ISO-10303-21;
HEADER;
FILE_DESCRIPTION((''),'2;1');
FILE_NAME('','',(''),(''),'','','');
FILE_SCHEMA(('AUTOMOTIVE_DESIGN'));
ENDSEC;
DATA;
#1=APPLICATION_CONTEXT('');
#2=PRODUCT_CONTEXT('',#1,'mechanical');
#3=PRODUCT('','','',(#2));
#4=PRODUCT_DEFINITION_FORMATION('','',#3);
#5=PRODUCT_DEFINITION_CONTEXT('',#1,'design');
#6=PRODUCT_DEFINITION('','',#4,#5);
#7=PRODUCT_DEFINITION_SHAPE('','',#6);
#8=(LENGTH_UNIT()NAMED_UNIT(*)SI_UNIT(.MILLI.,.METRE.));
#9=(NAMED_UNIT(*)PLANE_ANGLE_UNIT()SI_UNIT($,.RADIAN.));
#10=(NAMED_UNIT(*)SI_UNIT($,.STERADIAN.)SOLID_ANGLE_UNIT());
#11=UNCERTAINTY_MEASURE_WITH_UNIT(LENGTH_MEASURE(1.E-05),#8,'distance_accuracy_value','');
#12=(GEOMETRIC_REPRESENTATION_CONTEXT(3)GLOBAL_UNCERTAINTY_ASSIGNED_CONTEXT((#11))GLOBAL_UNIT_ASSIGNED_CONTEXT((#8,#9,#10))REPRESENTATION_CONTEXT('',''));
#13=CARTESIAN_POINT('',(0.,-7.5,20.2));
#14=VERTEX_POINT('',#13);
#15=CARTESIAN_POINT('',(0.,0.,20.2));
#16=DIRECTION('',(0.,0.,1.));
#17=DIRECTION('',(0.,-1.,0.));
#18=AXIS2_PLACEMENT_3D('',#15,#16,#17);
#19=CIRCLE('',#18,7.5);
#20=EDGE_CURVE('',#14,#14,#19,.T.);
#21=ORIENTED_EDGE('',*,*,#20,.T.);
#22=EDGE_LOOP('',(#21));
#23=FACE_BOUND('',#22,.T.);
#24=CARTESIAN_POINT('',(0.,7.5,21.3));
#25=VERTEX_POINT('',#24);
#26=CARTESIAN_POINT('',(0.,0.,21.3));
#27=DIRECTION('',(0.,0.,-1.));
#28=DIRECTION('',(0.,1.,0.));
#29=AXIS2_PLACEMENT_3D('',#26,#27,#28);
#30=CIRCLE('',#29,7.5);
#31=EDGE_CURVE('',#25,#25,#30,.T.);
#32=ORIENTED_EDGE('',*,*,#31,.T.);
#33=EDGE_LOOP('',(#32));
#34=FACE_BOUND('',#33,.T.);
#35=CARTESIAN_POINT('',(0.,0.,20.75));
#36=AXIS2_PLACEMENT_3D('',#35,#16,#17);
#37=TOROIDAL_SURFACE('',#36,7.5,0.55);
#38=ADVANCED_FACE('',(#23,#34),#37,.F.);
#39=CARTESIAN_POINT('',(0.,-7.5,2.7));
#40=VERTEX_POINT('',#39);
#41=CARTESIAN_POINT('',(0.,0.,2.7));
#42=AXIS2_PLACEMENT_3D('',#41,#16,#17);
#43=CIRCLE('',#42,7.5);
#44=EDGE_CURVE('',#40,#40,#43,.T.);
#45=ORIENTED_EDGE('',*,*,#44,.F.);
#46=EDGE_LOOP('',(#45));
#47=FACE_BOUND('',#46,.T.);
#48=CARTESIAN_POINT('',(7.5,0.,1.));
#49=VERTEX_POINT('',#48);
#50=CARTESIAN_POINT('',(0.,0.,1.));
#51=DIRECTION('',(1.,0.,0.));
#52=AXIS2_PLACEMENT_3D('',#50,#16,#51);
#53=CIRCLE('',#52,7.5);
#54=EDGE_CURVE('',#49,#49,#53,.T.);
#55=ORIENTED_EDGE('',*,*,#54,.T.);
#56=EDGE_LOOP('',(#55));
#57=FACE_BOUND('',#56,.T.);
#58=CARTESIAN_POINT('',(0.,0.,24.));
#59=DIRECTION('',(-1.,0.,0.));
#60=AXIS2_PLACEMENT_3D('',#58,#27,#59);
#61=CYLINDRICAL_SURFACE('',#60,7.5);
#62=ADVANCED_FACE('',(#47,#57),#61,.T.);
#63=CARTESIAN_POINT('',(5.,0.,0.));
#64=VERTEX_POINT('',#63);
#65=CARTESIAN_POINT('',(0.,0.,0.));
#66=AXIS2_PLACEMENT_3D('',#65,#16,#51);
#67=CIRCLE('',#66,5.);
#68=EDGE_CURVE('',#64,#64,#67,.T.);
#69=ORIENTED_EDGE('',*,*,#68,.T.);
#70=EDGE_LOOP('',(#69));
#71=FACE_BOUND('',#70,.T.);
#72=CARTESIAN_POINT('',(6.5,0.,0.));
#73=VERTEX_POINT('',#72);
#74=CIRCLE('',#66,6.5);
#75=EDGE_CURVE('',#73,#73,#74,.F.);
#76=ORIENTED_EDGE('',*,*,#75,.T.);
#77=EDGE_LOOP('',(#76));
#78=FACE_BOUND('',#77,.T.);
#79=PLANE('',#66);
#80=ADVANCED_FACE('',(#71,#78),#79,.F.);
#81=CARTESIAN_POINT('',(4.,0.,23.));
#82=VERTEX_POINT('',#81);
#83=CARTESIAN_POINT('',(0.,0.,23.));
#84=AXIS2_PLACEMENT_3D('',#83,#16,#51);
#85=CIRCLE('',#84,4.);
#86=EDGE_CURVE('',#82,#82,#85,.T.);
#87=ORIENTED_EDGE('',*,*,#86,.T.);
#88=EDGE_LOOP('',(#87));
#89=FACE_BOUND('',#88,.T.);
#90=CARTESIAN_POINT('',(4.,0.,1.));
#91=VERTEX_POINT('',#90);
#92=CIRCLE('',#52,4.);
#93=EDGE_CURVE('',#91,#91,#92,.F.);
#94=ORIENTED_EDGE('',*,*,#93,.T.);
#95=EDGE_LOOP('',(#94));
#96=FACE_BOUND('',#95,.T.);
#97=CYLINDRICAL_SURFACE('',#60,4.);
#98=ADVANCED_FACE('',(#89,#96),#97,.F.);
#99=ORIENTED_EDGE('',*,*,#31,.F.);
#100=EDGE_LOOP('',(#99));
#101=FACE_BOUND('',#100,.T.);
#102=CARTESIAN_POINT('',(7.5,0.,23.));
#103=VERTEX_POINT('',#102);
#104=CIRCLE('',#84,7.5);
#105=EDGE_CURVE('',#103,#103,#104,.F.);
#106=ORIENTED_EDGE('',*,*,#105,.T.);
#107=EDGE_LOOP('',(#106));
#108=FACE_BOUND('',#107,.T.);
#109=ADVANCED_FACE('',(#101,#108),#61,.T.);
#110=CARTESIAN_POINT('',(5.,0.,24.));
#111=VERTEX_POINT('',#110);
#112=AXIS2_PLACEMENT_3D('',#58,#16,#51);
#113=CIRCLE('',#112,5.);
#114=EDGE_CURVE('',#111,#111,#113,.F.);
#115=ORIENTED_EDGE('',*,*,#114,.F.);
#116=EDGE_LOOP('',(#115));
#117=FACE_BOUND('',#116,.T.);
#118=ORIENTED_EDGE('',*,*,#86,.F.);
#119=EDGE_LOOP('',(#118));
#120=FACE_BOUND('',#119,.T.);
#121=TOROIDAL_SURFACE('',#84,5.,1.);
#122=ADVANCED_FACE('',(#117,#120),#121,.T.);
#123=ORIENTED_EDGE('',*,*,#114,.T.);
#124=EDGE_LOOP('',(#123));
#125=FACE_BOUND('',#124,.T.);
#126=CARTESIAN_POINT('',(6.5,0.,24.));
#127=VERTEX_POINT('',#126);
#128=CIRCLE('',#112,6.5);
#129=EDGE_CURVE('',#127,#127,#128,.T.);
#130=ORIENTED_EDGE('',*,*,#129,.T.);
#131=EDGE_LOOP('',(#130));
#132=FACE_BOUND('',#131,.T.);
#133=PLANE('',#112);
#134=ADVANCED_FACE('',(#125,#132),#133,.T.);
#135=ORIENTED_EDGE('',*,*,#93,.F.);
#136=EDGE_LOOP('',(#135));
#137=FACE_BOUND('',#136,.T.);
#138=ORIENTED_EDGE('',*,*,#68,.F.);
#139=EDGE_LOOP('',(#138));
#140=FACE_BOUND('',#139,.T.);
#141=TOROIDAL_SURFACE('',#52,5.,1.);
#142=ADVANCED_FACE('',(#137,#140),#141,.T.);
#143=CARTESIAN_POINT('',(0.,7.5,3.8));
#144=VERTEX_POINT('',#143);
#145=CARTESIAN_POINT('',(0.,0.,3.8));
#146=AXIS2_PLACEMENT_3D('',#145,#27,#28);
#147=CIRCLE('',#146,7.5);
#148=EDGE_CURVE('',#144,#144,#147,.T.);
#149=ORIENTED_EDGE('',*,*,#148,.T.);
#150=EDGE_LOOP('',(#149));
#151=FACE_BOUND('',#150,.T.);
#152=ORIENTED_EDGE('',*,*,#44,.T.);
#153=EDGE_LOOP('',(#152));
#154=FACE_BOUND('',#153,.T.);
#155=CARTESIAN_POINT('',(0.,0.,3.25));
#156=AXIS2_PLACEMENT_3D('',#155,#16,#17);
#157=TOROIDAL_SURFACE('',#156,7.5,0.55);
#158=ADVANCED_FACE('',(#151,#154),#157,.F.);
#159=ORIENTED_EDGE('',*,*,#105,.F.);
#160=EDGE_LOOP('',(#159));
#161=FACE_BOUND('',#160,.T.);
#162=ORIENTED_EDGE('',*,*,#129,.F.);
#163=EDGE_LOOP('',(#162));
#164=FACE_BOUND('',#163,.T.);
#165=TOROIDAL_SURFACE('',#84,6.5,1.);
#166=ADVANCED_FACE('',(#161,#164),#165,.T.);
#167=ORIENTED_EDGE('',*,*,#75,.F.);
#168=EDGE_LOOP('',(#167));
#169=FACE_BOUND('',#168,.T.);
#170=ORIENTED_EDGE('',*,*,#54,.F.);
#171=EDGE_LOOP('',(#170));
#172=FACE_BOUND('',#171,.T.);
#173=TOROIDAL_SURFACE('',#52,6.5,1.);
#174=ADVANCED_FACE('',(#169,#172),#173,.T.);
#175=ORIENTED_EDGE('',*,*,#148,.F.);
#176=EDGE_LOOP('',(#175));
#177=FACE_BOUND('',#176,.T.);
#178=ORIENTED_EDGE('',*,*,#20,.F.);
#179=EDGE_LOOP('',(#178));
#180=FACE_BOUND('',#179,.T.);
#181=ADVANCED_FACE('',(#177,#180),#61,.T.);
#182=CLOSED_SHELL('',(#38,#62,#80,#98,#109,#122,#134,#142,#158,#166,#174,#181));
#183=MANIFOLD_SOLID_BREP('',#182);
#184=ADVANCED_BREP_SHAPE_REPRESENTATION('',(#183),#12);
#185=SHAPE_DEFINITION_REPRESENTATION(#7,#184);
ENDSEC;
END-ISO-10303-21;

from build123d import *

# Parameters (mm, degrees)
SKETCH1_R           = 7.5
SKETCH1_R_2         = 4
BOSS_EXTRUDE1_DEPTH = 24
FILLET1_R           = 1
SKETCH2_R           = 0.55


with BuildPart() as part:
    # Sketch1 → Boss-Extrude1 (new body)
    with BuildSketch(Plane.XY):
        Circle(SKETCH1_R)
        Circle(SKETCH1_R_2, mode=Mode.SUBTRACT)
    extrude(amount=BOSS_EXTRUDE1_DEPTH)

    # Fillet1
    fillet1_edges = [part.edges().sort_by_distance(p)[0] for p in [
        (-7.5, 0, 0),
        (-7.5, 0, 24),
        (-4, 0, 0),
        (-4, 0, 24),
    ]]
    fillet(fillet1_edges, radius=FILLET1_R)

    # Sketch2 → Cut-Revolve1 (revolve, cut)
    with BuildSketch(Plane(origin=(0, 0, 0), x_dir=(0, 0, -1), z_dir=(1, 0, 0))):
        with Locations((-20.75, 7.5)):
            Circle(SKETCH2_R)
        with Locations((-3.25, 7.5)):
            Circle(SKETCH2_R)
    revolve(axis=Axis((0, 0, 24), (0, 0, -1)), mode=Mode.SUBTRACT)


solid = part.part
